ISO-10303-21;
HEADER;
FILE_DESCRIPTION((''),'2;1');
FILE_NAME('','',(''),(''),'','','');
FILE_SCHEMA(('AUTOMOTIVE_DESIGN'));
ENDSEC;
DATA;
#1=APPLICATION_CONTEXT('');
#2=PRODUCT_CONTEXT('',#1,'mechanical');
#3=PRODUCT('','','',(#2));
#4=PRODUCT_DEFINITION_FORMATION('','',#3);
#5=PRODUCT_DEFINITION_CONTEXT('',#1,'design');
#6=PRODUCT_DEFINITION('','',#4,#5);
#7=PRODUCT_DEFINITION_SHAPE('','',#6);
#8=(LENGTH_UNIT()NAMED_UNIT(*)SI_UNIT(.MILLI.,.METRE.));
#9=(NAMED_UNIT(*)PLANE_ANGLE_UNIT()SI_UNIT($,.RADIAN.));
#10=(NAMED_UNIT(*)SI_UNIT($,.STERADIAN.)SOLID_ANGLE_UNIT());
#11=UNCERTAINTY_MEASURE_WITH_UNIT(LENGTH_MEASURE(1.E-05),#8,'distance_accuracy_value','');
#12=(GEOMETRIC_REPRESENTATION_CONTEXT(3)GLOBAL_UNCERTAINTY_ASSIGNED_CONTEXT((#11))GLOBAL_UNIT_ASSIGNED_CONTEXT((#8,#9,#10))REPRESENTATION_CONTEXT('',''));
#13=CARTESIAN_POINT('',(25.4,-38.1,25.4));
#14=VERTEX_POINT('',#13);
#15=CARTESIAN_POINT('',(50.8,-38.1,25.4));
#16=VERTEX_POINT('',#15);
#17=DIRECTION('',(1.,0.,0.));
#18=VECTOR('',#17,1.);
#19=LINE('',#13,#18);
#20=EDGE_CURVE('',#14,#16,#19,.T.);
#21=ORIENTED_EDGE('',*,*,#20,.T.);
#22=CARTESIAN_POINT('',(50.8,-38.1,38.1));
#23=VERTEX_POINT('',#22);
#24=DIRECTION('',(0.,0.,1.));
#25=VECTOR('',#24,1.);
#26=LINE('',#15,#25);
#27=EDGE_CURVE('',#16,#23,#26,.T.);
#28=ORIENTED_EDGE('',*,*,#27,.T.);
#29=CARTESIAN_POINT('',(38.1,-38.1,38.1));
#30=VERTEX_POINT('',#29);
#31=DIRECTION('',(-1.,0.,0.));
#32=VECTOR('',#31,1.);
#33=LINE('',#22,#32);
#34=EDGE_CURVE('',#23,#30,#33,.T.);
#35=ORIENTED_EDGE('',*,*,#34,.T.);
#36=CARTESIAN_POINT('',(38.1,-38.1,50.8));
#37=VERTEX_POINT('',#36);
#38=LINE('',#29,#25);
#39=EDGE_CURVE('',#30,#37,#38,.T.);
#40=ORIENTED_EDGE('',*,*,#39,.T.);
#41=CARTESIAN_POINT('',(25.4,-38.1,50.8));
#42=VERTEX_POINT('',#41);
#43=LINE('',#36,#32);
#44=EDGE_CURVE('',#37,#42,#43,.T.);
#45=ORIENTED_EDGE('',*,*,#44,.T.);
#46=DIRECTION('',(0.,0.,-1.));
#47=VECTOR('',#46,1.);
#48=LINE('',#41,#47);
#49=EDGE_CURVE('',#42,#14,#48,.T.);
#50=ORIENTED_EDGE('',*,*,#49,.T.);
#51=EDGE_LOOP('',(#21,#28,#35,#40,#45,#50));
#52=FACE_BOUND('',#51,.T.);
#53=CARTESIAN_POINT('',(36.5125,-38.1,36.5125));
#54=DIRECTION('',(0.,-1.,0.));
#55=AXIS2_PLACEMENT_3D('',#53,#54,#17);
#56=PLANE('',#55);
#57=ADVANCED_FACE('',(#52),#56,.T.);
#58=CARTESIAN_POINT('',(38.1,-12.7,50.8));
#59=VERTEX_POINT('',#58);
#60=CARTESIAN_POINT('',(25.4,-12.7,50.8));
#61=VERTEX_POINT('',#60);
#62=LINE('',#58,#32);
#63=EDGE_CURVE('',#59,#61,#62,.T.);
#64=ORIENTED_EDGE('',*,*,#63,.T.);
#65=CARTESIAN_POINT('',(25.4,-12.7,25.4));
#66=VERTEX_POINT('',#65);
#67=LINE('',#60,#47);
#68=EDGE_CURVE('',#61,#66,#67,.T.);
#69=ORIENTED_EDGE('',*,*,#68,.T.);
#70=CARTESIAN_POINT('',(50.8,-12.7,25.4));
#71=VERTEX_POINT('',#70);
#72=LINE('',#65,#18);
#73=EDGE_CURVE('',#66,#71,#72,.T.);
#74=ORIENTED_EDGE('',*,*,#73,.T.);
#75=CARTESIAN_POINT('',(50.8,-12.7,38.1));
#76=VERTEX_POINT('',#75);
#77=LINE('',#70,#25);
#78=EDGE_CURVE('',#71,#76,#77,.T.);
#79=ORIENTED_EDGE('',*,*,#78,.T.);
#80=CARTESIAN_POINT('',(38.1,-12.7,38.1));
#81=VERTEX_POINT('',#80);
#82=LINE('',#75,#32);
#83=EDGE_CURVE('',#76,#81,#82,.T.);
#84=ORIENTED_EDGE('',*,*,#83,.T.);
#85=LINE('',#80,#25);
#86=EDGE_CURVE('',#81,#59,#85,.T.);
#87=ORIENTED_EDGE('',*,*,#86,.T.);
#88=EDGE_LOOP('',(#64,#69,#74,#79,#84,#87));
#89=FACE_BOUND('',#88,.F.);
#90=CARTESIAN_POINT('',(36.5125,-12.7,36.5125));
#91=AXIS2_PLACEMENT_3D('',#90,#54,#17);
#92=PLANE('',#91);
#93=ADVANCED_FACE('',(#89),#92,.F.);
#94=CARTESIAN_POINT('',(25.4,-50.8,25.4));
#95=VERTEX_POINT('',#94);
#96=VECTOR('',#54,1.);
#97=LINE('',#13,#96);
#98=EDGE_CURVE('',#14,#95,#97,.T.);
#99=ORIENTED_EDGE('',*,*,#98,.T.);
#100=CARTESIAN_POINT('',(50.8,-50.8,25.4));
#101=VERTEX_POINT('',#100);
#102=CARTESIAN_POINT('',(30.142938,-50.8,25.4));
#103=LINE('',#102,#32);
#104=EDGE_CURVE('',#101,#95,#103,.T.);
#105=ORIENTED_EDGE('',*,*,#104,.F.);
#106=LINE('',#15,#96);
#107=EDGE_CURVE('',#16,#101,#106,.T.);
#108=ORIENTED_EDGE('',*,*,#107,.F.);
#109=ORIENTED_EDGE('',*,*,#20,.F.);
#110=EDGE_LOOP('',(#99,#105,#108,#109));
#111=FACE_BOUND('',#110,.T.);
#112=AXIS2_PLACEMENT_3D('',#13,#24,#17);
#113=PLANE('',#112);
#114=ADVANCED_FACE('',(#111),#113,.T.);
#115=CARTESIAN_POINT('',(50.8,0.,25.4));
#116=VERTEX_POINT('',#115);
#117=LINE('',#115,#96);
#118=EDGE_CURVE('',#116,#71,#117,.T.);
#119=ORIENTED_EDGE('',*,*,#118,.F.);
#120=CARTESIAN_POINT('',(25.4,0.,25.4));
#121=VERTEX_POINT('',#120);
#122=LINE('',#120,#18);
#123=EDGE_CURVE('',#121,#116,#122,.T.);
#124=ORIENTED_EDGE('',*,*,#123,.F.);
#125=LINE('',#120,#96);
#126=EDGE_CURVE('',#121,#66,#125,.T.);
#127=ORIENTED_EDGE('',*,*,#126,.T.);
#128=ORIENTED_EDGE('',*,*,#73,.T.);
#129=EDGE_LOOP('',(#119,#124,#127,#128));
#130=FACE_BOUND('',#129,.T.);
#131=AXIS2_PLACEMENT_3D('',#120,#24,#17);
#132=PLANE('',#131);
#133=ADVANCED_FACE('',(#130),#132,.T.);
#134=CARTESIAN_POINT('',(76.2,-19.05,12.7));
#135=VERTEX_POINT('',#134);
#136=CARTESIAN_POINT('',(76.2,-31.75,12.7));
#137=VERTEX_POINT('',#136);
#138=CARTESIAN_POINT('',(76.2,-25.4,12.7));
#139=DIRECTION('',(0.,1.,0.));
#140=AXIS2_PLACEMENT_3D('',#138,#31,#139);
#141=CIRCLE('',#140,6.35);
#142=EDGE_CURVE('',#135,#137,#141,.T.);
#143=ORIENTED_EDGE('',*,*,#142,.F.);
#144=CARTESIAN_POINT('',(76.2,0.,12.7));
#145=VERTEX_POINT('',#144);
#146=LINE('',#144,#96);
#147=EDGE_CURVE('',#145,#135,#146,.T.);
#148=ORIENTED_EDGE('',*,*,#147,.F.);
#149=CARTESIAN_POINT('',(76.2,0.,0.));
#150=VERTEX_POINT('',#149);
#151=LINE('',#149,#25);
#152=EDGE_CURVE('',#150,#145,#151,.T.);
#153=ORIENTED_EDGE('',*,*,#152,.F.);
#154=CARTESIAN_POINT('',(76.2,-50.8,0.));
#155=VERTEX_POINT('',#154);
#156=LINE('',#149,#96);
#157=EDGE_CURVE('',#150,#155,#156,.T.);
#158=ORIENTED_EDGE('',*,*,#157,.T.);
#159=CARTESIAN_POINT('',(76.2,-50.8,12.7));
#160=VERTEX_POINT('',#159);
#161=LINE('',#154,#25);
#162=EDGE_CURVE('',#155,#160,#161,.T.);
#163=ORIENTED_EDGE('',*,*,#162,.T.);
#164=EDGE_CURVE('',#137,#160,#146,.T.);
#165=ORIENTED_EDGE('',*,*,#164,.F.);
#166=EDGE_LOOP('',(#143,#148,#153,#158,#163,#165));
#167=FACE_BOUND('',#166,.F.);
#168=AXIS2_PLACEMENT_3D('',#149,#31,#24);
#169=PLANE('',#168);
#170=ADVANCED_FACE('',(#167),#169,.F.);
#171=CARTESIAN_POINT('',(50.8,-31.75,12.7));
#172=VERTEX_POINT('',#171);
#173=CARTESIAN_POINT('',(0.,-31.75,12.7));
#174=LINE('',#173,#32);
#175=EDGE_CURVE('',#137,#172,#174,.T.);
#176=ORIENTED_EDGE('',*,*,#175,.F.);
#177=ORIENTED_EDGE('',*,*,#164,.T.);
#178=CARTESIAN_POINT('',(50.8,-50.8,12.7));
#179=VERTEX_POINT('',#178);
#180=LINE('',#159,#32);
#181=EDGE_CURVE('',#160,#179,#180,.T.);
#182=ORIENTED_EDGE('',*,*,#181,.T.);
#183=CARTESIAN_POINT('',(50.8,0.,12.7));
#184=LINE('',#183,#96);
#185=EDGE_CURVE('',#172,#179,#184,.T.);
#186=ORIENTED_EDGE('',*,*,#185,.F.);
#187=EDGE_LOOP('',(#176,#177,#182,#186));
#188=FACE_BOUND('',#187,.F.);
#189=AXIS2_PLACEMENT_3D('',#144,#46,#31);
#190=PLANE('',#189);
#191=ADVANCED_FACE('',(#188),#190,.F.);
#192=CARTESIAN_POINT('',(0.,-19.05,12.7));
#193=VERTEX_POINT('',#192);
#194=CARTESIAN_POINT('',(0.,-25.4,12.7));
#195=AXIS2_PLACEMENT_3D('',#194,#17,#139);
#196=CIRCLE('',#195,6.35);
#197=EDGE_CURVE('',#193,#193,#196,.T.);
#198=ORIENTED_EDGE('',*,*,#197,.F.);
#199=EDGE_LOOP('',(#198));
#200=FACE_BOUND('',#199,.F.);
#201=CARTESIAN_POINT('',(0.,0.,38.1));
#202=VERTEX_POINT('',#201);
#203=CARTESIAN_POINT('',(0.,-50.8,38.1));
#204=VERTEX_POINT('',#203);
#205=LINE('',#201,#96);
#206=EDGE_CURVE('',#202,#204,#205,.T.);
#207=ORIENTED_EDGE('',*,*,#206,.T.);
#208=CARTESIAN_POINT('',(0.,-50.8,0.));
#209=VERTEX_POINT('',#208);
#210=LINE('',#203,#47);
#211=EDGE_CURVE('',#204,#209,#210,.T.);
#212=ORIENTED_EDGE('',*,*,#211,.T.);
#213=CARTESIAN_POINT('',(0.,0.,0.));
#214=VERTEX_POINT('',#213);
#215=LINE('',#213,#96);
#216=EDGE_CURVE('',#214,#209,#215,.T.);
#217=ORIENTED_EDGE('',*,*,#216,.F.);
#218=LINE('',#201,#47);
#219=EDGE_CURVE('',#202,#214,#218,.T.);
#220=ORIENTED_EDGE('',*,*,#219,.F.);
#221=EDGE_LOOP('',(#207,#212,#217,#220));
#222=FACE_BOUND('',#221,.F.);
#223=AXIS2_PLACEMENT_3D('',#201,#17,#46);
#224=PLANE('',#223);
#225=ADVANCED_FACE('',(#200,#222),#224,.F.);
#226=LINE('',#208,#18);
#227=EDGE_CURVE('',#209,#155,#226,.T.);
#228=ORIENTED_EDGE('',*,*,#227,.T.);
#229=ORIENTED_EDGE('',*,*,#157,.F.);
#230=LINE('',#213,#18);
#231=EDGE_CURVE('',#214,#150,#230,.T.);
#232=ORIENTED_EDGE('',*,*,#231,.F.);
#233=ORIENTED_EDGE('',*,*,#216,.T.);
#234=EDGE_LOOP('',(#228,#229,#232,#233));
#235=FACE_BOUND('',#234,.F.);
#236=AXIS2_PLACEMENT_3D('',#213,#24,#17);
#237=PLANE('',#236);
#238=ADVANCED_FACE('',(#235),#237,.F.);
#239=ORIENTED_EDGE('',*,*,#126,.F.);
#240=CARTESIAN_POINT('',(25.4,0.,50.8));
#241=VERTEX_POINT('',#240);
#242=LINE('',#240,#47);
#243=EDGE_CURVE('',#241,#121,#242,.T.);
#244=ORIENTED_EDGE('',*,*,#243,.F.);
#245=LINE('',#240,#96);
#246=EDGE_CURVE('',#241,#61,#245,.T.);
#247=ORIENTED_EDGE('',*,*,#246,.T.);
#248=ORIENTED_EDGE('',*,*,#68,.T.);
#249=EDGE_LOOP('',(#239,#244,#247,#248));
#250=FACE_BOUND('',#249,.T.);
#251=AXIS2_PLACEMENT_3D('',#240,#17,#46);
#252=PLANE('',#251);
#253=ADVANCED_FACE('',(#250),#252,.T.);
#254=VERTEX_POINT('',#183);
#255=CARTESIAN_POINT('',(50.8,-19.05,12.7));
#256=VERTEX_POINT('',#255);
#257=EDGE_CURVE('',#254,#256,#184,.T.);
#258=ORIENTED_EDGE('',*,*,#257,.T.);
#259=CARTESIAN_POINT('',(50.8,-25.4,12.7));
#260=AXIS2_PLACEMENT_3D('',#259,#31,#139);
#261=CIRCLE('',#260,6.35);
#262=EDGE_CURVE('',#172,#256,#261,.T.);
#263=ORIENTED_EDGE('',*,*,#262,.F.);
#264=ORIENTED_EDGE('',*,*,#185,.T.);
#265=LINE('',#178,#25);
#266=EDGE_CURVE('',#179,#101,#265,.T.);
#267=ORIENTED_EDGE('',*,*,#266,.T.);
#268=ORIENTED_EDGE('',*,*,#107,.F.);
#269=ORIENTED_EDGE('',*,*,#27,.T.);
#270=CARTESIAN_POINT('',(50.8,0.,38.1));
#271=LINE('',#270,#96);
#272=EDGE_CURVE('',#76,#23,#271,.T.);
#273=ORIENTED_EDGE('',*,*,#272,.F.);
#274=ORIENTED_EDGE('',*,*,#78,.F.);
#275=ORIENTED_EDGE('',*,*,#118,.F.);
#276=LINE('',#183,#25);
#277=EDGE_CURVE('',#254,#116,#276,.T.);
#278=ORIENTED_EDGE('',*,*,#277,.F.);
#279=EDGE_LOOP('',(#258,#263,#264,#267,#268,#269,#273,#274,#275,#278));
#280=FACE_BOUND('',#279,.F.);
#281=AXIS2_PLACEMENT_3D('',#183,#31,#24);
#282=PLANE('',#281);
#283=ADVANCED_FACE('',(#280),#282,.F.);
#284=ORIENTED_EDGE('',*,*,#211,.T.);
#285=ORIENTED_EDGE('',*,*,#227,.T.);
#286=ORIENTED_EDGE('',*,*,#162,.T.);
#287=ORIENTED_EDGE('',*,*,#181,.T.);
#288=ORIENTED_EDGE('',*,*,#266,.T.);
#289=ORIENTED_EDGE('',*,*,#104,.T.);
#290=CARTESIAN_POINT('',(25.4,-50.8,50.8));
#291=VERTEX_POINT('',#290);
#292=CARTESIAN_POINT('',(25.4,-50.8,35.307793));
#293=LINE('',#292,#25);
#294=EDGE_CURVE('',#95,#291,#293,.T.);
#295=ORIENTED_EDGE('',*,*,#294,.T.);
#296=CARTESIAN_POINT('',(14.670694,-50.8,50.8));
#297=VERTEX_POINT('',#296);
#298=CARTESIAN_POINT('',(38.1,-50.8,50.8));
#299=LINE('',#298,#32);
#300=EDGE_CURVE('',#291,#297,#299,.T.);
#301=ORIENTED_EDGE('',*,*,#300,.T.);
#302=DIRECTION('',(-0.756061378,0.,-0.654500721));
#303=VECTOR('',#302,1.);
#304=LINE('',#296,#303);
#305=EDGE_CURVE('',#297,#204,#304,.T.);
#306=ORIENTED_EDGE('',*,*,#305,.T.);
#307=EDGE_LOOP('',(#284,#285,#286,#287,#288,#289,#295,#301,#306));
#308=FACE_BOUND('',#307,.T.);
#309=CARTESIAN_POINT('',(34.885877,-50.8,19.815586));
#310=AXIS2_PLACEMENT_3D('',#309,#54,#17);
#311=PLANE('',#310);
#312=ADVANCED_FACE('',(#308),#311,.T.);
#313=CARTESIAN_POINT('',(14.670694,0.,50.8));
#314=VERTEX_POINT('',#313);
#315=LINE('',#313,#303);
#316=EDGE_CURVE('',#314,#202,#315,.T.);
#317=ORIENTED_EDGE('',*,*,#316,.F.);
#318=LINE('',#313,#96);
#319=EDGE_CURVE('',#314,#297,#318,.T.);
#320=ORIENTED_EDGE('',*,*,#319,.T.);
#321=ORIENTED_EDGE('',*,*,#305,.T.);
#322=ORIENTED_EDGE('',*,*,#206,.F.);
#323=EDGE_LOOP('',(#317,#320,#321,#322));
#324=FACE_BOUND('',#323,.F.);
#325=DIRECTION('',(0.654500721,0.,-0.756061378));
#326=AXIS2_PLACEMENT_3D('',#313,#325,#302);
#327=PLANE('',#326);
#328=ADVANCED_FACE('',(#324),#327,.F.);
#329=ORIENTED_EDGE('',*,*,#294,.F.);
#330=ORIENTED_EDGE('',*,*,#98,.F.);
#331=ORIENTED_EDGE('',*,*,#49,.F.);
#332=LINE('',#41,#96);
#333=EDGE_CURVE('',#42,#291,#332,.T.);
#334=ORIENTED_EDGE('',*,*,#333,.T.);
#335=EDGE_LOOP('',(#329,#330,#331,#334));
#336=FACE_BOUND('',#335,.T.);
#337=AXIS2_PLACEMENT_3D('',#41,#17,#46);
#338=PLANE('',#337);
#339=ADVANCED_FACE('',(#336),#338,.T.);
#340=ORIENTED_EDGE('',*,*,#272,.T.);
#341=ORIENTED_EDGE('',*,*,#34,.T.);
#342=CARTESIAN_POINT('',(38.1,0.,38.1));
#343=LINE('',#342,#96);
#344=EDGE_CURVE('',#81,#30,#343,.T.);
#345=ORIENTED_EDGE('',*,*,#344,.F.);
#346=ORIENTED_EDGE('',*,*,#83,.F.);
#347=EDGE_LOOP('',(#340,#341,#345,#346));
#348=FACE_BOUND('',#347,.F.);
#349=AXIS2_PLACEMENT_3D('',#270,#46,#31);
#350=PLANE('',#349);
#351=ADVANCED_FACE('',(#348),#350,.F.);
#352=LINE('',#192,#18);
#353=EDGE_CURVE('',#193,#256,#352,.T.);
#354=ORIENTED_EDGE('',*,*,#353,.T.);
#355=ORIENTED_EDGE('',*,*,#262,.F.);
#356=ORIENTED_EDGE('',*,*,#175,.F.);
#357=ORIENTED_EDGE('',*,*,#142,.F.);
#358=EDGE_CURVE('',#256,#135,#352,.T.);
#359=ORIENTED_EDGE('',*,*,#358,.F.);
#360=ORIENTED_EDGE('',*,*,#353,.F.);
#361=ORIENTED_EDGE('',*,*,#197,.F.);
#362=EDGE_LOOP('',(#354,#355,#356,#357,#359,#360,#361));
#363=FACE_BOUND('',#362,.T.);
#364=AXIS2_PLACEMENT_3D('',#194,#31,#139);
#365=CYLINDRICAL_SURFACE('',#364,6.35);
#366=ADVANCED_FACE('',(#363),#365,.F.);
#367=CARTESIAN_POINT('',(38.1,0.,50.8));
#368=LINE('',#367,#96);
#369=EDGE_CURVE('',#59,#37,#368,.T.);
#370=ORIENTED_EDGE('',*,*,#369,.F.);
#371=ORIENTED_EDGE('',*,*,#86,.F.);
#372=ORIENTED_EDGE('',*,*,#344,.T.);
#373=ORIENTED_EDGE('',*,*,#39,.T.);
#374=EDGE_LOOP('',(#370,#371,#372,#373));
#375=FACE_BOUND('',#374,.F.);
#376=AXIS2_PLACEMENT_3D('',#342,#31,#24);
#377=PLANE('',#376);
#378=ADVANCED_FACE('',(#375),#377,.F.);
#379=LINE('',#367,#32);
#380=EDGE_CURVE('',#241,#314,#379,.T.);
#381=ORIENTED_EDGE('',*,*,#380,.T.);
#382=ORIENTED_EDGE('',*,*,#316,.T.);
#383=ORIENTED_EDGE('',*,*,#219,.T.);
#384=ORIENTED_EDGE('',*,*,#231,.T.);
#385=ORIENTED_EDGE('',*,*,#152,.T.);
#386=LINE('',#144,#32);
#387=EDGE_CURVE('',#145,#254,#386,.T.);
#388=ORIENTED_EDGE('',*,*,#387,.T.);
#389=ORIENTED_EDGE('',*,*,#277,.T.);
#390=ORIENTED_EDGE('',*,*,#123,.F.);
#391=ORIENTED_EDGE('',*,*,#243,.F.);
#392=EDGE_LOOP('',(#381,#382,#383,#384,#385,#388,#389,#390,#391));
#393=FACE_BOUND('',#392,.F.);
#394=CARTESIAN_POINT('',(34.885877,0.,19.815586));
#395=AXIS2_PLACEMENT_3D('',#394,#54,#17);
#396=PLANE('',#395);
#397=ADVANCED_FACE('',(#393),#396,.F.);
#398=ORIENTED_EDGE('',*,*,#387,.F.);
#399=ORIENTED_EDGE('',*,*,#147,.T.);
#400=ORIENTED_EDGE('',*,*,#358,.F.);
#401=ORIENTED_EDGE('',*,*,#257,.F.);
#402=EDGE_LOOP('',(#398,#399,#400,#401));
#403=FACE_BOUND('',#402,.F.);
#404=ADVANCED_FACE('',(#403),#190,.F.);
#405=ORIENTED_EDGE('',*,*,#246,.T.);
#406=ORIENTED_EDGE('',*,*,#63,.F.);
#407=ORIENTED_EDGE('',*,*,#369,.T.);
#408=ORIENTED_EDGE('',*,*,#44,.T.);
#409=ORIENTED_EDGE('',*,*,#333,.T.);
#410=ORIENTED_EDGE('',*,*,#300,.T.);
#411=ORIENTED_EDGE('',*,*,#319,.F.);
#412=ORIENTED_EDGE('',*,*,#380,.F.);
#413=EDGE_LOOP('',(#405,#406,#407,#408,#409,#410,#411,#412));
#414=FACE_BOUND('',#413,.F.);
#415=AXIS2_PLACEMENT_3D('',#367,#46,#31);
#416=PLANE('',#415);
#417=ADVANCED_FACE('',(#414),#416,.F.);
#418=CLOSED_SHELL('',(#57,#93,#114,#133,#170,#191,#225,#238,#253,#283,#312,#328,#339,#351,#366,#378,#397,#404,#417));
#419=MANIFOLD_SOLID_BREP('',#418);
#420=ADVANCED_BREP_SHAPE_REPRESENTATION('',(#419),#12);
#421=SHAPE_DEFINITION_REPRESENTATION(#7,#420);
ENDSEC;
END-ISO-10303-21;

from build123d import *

# Parameters (mm, degrees)
F1_DEPTH = 50.8
F3_DEPTH = 12.7
F5_START = 38.1
F5_DEPTH = 12.701
F6_R     = 6.35
F7_DEPTH = 76.201


with BuildPart() as f1:
    # F0 (on Front) → F1 (new body)
    with BuildSketch(Plane.XZ):
        Polygon((0, 38.1), (0, 0), (76.2, 0), (76.2, 12.7), (50.8, 12.7), (50.8, 38.1), (38.1, 38.1), (38.1, 50.8), (14.6706935452, 50.8), align=None)
    extrude(amount=F1_DEPTH)

    # F2 (on Front) → F3 (cut)
    with BuildSketch(Plane.XZ):
        Polygon((38.1, 50.8), (25.4, 50.8), (25.4, 25.4), (50.8, 25.4), (50.8, 38.1), (38.1, 38.1), align=None)
    extrude(amount=F3_DEPTH, mode=Mode.SUBTRACT)

    # F4 (on Front) → F5 (cut)
    with BuildSketch(Plane.XZ.offset(F5_START)):
        Polygon((38.1, 50.8), (25.4, 50.8), (25.4, 25.4), (50.8, 25.4), (50.8, 38.1), (38.1, 38.1), align=None)
    extrude(amount=F5_DEPTH, mode=Mode.SUBTRACT)

    # F6 (on Right) → F7 (cut, through all)
    with BuildSketch(Plane.YZ):
        with Locations((-25.4, 12.7)):
            Circle(F6_R)
    extrude(amount=F7_DEPTH, mode=Mode.SUBTRACT)


solid = f1.part
